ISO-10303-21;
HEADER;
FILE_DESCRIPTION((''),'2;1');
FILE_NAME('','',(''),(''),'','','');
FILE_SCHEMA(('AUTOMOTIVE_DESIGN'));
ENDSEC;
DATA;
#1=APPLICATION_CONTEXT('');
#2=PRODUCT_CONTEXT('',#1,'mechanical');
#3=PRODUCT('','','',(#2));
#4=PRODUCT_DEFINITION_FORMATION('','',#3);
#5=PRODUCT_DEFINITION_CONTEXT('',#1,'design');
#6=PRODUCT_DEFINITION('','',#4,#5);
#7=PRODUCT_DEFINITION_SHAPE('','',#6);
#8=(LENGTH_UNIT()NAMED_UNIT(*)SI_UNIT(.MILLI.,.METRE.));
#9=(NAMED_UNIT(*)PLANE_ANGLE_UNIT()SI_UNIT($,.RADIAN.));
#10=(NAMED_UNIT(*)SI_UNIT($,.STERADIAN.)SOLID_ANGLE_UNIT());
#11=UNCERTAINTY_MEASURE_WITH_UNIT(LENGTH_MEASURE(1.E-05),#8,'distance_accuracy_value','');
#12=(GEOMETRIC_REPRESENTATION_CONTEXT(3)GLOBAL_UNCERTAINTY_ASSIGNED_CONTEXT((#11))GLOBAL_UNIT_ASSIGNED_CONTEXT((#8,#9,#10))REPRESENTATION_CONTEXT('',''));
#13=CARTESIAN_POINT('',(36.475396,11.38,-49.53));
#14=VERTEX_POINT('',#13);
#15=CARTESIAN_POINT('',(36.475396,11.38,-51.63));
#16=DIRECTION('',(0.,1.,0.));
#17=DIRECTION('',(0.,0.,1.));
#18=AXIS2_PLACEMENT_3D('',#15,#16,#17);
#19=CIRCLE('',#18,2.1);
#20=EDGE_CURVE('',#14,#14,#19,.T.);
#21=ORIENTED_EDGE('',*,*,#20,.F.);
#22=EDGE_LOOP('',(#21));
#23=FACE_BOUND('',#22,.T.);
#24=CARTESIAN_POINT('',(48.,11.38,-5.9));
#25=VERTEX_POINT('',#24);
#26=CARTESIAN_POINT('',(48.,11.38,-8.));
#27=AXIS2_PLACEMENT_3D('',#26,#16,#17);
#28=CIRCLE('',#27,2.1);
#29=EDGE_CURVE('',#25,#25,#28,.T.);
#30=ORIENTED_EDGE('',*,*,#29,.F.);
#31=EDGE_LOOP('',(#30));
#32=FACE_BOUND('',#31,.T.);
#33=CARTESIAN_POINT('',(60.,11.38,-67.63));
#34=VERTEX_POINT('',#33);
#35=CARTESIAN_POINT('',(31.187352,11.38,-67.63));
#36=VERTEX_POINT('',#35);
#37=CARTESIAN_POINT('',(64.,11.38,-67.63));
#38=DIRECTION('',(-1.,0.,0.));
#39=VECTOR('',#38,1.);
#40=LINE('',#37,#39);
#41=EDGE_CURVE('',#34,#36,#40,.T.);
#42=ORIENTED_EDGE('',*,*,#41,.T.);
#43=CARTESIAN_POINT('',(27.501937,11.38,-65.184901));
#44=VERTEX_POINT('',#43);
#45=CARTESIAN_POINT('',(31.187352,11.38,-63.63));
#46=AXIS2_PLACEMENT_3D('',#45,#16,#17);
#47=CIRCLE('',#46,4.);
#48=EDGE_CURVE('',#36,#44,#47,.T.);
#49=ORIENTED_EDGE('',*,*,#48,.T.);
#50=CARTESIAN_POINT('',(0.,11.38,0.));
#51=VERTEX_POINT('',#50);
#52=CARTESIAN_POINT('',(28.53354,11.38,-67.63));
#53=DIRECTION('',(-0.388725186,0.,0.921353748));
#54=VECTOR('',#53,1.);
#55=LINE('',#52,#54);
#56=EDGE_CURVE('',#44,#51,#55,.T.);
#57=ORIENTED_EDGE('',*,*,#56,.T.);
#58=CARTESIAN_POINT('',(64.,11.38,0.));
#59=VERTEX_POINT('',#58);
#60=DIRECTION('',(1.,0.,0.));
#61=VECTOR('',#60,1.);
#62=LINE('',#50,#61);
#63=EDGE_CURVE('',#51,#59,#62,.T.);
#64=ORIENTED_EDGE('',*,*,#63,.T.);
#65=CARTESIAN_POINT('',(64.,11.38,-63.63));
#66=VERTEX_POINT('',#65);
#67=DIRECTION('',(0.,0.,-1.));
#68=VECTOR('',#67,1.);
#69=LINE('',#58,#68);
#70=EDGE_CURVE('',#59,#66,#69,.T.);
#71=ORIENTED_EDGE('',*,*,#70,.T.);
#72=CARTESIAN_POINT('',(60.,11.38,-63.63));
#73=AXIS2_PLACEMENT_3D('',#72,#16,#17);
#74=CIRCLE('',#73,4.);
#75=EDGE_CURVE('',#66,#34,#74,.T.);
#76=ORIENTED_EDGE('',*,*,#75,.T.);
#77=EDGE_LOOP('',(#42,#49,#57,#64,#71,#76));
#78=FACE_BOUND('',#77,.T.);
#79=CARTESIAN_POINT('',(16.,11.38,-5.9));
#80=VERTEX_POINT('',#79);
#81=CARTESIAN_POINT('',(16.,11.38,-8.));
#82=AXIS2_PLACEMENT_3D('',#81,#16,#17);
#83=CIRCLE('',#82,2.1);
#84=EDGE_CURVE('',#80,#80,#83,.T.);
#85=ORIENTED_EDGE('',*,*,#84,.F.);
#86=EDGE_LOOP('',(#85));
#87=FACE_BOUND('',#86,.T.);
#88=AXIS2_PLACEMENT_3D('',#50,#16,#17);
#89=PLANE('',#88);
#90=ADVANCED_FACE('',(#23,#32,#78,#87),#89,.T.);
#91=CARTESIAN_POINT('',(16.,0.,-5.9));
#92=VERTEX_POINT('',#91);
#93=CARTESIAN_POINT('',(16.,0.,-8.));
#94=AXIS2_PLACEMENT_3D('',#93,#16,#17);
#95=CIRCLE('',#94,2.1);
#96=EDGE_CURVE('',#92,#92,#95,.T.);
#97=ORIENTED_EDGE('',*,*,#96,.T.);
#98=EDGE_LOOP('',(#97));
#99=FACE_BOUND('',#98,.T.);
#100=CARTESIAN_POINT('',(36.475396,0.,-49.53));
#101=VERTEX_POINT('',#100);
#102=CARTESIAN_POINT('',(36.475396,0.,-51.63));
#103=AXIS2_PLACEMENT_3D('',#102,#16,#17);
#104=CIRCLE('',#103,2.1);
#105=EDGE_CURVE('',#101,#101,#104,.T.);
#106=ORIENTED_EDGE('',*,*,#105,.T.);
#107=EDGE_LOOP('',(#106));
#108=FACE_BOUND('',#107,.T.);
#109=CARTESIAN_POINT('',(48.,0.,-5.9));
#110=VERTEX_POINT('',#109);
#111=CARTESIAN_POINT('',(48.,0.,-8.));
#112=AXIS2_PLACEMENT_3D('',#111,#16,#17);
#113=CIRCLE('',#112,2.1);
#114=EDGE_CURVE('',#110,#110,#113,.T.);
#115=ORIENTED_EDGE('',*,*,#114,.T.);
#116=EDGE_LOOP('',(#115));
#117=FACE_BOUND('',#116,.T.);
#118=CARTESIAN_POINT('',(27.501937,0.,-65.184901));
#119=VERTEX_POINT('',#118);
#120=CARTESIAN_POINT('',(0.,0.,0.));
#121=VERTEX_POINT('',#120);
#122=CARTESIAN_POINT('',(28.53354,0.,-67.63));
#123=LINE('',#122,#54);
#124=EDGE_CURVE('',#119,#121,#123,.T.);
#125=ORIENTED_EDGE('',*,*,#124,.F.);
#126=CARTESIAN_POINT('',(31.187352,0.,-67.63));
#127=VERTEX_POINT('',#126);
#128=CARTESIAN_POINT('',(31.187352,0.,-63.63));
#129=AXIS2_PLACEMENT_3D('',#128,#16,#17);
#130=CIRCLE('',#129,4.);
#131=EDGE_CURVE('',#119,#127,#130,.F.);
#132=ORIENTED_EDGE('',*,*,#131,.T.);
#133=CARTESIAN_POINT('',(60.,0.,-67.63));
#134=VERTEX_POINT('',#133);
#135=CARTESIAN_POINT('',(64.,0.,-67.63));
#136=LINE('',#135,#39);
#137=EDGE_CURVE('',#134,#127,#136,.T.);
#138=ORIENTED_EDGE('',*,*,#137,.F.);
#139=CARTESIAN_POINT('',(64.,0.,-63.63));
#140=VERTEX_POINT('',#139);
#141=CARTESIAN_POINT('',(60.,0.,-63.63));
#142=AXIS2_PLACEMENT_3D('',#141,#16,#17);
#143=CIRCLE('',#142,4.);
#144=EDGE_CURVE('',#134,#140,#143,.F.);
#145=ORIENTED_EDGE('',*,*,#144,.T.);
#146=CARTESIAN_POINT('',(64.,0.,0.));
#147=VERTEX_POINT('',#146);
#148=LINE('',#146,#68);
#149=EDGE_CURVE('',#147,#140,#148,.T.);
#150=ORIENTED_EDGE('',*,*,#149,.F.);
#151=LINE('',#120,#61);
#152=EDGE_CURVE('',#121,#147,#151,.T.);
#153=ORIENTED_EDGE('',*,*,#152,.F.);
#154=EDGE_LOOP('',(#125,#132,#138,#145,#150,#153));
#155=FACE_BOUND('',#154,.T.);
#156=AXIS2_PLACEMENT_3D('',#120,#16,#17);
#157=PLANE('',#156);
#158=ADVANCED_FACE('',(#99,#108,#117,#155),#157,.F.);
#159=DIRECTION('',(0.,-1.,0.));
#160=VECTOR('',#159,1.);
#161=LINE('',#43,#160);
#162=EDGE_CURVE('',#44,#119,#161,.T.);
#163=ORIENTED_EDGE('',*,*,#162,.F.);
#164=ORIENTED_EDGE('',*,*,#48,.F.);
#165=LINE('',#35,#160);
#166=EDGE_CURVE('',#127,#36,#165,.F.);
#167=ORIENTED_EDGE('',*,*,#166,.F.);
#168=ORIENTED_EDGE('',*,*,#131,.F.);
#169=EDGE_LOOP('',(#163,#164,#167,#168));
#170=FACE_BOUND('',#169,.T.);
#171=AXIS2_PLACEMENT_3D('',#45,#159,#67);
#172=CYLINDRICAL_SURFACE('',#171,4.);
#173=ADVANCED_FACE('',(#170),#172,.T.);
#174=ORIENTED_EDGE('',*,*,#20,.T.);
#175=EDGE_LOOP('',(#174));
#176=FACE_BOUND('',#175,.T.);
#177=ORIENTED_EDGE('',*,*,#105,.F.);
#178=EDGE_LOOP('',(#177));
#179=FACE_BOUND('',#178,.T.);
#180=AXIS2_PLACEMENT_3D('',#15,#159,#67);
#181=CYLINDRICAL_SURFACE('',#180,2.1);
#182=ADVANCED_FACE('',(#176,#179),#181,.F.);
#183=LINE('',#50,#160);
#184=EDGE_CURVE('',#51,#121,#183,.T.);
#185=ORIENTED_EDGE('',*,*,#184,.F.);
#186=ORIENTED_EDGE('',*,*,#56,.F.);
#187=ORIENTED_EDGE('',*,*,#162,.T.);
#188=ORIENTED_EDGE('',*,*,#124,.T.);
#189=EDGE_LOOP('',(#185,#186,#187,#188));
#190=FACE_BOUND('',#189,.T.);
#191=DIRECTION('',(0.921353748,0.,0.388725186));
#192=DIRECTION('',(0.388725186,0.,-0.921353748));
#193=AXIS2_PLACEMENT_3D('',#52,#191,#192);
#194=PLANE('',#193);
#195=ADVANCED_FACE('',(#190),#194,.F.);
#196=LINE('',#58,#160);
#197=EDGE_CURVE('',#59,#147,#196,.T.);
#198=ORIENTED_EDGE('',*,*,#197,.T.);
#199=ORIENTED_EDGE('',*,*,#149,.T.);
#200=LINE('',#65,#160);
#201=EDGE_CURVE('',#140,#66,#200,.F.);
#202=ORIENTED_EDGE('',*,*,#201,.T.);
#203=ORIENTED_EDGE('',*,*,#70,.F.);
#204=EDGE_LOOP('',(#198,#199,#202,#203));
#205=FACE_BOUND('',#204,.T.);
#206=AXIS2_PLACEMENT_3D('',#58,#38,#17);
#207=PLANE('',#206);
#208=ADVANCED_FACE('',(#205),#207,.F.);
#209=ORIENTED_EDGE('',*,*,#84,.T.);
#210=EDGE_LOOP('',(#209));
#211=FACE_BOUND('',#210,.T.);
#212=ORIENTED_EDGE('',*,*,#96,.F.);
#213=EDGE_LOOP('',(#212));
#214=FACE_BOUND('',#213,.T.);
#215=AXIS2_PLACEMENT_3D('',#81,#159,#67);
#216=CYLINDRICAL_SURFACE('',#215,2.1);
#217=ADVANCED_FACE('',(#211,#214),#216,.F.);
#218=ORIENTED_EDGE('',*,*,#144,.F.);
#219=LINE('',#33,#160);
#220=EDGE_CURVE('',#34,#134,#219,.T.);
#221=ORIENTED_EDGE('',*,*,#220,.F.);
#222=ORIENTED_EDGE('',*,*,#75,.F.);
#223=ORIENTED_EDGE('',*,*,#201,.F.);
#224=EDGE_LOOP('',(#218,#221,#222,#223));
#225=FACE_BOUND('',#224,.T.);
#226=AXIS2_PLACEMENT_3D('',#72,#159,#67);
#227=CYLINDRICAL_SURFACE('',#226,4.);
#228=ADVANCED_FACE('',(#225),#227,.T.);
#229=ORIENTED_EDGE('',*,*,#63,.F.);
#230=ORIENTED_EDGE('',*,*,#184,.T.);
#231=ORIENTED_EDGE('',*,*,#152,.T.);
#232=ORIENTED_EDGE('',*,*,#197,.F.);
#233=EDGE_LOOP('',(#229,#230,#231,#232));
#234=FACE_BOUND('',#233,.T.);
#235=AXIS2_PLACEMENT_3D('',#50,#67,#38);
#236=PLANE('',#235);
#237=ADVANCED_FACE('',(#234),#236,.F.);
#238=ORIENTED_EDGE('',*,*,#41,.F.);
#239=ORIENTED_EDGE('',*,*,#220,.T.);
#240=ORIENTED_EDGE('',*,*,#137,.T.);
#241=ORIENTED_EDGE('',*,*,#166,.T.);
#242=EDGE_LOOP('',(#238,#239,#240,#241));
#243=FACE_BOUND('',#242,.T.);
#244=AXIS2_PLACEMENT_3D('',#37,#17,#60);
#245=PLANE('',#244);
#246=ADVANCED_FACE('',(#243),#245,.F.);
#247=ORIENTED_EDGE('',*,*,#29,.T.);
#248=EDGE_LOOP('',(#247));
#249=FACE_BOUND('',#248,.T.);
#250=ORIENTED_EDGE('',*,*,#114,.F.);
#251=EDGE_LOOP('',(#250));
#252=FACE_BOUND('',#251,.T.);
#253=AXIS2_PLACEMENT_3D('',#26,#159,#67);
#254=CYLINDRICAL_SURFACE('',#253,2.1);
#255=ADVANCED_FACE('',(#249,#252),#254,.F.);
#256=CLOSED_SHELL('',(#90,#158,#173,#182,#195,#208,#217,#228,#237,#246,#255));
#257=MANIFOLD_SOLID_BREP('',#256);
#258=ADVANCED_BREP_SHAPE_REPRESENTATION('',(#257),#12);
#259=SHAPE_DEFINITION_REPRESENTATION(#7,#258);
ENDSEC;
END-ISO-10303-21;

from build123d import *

# Parameters (mm, degrees)
SKETCH1_R           = 2.1
BOSS_EXTRUDE1_DEPTH = 11.38
FILLET1_R           = 4


with BuildPart() as part:
    # Sketch1 → Boss-Extrude1 (new body)
    with BuildSketch(Plane(origin=(0, 0, 0), x_dir=(1, 0, 0), z_dir=(0, 1, 0))):
        Polygon((0, 0), (64, 0), (64, 67.63), (28.533540344, 67.63), align=None)
        with Locations(Location((16, 8, 0), (0, 0, 270))):
            Circle(SKETCH1_R, mode=Mode.SUBTRACT)
        with Locations(Location((48, 8, 0), (0, 0, 270))):
            Circle(SKETCH1_R, mode=Mode.SUBTRACT)
        with Locations(Location((36.475395885, 51.63, 0), (0, 0, 270))):
            Circle(SKETCH1_R, mode=Mode.SUBTRACT)
    extrude(amount=BOSS_EXTRUDE1_DEPTH)

    # Fillet1
    fillet1_edges = [part.edges().sort_by_distance(p)[0] for p in [
        (28.533540344, 5.69, -67.63),
        (64, 5.69, -67.63),
    ]]
    fillet(fillet1_edges, radius=FILLET1_R)


solid = part.part
